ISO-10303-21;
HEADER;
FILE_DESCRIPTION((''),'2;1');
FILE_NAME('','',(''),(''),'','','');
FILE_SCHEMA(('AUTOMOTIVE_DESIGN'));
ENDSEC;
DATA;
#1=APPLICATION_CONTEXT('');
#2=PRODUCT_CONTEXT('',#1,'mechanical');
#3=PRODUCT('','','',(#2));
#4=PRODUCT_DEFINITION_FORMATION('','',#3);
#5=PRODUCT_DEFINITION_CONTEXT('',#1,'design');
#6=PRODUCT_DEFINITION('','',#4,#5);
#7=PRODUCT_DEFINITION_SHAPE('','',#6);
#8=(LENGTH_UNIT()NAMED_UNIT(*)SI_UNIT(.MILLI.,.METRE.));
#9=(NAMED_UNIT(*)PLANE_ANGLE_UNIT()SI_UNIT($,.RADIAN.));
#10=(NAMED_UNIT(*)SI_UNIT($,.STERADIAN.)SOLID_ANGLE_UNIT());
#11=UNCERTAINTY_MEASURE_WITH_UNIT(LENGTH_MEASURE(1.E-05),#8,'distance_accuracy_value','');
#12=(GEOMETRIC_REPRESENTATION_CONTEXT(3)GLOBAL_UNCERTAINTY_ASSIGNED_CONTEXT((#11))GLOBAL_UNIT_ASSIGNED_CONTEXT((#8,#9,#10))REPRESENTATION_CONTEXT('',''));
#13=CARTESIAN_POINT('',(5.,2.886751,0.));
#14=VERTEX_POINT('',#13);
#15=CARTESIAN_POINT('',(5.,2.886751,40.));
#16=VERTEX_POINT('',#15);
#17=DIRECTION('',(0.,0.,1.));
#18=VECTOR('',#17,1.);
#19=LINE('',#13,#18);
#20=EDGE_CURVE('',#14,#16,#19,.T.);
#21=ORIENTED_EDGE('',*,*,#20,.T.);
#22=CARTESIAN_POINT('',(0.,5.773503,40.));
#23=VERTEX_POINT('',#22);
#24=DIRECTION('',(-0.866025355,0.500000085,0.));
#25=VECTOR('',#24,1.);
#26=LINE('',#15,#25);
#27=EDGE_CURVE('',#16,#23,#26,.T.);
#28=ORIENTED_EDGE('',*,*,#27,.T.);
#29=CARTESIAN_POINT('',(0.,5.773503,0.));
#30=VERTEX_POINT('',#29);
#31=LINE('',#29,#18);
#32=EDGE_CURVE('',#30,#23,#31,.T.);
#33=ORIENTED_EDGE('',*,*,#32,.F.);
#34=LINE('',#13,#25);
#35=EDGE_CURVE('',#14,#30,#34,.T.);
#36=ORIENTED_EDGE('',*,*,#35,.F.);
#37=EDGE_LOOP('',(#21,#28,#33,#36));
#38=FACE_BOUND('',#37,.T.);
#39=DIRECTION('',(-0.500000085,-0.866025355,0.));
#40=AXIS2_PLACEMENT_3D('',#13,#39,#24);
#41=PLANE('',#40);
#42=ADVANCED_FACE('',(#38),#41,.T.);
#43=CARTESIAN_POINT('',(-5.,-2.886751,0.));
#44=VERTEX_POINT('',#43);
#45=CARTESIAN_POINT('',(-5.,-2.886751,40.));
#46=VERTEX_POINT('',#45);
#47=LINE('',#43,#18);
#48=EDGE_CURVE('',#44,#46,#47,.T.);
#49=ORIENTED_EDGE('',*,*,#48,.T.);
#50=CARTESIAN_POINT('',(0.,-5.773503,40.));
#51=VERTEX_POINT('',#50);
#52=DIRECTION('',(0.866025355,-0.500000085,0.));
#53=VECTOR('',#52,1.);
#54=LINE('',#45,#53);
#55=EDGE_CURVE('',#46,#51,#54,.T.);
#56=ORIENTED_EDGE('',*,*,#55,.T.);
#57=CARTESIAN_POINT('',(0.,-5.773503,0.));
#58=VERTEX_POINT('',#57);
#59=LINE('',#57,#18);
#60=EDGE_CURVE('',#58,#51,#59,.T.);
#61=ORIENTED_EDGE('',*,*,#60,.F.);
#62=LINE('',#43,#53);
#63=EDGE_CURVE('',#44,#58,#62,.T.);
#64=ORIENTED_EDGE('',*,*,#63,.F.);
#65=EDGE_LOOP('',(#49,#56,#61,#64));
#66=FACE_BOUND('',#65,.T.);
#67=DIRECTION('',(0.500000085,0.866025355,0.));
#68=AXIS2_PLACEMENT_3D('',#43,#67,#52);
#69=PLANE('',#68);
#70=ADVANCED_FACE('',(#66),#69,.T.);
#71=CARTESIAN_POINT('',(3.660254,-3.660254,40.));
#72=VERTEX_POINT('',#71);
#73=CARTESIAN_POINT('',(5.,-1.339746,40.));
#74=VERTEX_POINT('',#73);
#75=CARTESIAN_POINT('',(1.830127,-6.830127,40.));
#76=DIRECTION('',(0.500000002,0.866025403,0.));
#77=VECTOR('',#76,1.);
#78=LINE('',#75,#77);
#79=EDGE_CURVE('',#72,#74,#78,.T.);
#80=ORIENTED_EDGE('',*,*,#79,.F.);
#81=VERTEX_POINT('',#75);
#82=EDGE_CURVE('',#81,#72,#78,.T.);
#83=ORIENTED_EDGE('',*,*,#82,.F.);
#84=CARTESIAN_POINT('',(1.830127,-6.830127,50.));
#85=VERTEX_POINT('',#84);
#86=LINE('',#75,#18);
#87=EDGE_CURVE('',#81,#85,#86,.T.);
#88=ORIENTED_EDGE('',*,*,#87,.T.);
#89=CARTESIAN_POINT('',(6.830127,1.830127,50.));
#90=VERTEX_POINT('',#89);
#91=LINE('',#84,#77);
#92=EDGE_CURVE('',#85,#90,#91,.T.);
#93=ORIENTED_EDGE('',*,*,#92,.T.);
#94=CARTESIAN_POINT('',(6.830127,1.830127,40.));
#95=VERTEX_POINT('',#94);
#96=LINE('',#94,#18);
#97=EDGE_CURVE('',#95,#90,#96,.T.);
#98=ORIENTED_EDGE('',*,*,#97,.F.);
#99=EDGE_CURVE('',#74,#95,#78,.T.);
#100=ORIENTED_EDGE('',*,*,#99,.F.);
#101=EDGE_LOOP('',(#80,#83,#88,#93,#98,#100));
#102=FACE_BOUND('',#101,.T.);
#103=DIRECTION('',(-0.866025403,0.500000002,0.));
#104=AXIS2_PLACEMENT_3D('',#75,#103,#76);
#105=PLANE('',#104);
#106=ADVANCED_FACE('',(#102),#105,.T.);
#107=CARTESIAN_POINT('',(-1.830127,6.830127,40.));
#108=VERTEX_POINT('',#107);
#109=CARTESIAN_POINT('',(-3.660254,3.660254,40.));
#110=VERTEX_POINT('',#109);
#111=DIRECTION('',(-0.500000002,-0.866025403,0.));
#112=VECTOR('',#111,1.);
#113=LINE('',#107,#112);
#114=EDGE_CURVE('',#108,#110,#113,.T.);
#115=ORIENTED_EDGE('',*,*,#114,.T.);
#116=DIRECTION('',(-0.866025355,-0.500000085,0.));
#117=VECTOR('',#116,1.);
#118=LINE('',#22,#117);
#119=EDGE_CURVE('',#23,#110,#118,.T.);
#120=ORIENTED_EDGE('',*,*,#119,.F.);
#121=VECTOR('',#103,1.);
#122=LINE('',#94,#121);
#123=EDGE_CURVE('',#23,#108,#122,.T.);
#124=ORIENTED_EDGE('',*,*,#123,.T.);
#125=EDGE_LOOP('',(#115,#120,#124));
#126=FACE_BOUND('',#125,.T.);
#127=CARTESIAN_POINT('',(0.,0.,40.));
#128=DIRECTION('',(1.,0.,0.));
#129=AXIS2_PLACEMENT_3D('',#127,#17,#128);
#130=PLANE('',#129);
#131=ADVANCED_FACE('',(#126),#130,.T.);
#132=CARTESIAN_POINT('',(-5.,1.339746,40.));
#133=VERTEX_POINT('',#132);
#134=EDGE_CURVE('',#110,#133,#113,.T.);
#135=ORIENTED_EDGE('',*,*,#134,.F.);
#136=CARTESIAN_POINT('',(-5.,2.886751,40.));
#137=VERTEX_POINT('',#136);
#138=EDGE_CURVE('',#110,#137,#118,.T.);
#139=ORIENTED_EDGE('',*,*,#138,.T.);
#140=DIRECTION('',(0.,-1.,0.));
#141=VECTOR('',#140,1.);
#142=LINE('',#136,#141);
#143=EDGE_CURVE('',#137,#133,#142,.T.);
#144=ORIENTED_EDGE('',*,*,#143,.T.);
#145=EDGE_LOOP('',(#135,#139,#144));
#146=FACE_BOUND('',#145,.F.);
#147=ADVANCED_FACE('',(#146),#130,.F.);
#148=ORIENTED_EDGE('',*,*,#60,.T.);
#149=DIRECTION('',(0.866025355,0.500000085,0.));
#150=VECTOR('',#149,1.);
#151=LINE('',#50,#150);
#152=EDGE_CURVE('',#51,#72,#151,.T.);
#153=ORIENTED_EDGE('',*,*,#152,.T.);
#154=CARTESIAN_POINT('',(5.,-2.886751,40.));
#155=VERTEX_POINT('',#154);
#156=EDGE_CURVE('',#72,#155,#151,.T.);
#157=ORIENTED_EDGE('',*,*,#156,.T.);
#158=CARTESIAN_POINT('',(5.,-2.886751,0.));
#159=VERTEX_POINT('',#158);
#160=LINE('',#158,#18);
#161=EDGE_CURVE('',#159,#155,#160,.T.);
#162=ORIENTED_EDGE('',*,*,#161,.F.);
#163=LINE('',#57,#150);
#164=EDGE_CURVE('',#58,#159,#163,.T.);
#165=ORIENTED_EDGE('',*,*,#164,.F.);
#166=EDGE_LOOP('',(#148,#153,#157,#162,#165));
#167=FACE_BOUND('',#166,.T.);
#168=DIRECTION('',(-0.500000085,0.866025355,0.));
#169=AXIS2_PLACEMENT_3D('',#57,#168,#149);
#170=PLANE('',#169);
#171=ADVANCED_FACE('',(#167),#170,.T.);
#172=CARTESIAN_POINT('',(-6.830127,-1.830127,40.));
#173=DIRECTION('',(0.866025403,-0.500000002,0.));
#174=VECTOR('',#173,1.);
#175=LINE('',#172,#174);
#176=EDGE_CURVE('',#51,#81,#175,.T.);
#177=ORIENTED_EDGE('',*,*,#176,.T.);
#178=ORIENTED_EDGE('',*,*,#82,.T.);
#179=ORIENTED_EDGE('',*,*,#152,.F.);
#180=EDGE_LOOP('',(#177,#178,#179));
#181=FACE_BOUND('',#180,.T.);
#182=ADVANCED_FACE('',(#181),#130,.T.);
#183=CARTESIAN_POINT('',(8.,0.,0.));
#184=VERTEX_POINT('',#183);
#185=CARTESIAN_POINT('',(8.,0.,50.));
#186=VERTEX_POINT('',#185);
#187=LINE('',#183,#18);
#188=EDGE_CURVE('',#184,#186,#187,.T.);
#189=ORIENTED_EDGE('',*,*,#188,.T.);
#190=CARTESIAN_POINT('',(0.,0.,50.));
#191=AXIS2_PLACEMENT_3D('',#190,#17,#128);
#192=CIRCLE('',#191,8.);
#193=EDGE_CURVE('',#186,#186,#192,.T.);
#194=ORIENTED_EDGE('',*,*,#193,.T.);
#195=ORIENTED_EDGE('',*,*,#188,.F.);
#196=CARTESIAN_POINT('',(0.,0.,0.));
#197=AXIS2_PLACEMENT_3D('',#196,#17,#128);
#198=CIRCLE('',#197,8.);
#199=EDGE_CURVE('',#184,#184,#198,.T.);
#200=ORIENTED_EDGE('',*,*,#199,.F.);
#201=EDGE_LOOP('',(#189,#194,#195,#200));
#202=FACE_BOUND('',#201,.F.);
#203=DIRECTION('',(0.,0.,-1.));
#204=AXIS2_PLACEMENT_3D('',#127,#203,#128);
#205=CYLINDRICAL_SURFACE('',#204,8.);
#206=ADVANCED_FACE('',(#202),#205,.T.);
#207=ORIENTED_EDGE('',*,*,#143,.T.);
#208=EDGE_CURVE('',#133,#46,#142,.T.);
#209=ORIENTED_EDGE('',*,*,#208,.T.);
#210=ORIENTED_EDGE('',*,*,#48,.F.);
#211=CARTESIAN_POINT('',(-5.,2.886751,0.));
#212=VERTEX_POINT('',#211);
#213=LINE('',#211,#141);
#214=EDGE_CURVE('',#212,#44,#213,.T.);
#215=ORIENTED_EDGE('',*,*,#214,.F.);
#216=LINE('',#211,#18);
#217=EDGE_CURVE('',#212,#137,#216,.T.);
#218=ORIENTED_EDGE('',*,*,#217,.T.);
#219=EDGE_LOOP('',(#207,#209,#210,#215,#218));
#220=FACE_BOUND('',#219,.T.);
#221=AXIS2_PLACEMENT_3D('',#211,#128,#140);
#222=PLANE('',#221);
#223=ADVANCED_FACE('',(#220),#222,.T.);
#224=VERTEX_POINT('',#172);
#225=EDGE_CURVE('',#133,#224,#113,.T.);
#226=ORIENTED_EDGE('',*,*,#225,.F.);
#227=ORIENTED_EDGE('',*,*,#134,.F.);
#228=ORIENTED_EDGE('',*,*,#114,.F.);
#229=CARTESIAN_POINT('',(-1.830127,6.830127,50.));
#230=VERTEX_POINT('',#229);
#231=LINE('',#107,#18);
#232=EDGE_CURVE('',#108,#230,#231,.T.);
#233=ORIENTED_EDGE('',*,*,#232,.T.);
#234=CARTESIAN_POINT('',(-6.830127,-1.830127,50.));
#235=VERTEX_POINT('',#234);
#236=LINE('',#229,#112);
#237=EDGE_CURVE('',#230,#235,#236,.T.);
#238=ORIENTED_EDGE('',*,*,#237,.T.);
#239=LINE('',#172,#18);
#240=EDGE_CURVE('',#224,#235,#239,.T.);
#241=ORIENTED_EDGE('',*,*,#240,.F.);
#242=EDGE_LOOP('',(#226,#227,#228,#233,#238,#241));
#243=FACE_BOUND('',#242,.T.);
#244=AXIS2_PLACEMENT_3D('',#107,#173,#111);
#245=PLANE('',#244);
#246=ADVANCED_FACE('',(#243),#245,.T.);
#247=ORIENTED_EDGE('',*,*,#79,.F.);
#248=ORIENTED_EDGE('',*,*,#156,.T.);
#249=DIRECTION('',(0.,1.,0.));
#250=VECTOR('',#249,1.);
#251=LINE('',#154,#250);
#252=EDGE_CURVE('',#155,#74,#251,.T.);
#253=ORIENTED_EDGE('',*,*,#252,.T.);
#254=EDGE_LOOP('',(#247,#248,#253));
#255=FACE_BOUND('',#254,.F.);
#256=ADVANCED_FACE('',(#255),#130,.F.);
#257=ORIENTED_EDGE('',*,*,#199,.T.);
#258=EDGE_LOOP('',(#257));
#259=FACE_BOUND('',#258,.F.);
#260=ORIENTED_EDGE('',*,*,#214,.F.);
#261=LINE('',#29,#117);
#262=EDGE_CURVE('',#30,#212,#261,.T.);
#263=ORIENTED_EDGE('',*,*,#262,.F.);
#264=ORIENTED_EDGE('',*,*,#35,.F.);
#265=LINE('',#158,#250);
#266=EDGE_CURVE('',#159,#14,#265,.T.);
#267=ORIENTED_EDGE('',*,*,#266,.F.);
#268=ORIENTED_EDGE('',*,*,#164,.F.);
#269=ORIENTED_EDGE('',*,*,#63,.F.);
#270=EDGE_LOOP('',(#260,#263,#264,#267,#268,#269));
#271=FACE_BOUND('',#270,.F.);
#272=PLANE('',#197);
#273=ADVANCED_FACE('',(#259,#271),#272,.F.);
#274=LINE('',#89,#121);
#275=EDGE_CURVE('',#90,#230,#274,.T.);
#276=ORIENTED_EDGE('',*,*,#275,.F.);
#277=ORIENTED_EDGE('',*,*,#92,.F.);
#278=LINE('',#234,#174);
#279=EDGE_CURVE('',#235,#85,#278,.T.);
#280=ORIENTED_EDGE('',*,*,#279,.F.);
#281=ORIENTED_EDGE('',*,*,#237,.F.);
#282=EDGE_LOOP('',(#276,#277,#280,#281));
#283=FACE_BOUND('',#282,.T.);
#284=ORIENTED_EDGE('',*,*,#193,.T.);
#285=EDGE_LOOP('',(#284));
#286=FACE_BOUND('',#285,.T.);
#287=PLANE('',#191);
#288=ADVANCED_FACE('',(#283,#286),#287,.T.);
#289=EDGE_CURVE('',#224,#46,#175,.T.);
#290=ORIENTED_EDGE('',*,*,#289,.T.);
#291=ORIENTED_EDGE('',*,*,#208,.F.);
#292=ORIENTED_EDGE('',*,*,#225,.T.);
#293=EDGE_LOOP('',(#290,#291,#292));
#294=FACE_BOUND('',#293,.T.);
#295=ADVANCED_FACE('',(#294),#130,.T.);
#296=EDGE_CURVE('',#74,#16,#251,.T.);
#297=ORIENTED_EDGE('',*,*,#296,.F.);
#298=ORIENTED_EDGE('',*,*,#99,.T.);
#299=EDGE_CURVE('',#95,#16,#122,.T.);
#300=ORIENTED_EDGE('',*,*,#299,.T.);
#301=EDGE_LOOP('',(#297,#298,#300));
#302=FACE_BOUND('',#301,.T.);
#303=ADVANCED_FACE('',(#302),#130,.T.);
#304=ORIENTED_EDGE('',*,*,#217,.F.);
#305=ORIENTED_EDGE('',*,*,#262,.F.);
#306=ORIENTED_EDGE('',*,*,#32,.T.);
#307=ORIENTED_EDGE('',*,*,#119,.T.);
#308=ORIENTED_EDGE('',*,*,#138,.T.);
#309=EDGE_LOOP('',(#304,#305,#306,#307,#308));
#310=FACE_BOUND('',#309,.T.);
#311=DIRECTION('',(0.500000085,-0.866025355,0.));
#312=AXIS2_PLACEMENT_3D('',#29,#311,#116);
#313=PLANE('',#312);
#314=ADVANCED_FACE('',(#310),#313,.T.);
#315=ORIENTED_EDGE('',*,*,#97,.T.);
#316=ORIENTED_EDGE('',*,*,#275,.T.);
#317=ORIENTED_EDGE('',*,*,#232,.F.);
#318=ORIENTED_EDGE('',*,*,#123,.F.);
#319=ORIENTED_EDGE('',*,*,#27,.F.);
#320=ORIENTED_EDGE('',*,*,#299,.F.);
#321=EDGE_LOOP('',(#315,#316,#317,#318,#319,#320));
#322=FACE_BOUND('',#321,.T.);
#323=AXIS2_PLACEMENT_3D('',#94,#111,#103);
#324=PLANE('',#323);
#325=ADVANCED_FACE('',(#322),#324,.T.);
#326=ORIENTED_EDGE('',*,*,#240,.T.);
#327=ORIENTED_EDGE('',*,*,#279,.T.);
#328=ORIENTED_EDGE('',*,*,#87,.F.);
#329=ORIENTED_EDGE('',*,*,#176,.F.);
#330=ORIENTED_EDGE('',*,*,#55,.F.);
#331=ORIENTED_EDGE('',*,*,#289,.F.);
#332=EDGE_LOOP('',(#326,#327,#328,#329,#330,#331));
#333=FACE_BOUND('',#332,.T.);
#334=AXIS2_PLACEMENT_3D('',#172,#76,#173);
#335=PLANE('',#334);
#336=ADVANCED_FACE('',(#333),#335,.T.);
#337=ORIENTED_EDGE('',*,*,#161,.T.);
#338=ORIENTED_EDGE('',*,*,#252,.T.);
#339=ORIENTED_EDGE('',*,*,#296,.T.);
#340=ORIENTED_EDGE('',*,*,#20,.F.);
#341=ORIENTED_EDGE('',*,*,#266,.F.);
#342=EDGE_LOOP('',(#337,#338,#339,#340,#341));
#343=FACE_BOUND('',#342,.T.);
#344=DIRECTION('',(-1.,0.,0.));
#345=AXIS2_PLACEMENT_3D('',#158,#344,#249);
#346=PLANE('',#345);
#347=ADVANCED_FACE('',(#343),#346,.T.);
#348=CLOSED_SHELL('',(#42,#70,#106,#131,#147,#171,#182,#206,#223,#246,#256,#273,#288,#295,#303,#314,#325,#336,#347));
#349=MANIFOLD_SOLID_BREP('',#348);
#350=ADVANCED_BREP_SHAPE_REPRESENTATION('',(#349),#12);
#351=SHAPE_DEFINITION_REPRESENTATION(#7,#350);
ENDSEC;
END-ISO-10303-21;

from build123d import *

# Parameters (mm, degrees)
SKETCH_R     = 8
PAD_DEPTH    = 40
SKETCH001_R  = 8
PAD001_DEPTH = 10


with BuildPart() as part:
    # Sketch → Pad (new body)
    with BuildSketch(Plane.XY):
        Circle(SKETCH_R)
        Polygon((5, -2.886751), (5, 2.886751), (0, 5.773503), (-5, 2.886751), (-5, -2.886751), (0, -5.773503), align=None, mode=Mode.SUBTRACT)
    extrude(amount=PAD_DEPTH)

    # Sketch001 → Pad001 (join)
    with BuildSketch(Plane.XY.offset(40)):
        Circle(SKETCH001_R)
        Polygon((-1.830127, 6.830127), (-6.830127, -1.830127), (1.830127, -6.830127), (6.830127, 1.830127), align=None, mode=Mode.SUBTRACT)
    extrude(amount=PAD001_DEPTH)


solid = part.part
